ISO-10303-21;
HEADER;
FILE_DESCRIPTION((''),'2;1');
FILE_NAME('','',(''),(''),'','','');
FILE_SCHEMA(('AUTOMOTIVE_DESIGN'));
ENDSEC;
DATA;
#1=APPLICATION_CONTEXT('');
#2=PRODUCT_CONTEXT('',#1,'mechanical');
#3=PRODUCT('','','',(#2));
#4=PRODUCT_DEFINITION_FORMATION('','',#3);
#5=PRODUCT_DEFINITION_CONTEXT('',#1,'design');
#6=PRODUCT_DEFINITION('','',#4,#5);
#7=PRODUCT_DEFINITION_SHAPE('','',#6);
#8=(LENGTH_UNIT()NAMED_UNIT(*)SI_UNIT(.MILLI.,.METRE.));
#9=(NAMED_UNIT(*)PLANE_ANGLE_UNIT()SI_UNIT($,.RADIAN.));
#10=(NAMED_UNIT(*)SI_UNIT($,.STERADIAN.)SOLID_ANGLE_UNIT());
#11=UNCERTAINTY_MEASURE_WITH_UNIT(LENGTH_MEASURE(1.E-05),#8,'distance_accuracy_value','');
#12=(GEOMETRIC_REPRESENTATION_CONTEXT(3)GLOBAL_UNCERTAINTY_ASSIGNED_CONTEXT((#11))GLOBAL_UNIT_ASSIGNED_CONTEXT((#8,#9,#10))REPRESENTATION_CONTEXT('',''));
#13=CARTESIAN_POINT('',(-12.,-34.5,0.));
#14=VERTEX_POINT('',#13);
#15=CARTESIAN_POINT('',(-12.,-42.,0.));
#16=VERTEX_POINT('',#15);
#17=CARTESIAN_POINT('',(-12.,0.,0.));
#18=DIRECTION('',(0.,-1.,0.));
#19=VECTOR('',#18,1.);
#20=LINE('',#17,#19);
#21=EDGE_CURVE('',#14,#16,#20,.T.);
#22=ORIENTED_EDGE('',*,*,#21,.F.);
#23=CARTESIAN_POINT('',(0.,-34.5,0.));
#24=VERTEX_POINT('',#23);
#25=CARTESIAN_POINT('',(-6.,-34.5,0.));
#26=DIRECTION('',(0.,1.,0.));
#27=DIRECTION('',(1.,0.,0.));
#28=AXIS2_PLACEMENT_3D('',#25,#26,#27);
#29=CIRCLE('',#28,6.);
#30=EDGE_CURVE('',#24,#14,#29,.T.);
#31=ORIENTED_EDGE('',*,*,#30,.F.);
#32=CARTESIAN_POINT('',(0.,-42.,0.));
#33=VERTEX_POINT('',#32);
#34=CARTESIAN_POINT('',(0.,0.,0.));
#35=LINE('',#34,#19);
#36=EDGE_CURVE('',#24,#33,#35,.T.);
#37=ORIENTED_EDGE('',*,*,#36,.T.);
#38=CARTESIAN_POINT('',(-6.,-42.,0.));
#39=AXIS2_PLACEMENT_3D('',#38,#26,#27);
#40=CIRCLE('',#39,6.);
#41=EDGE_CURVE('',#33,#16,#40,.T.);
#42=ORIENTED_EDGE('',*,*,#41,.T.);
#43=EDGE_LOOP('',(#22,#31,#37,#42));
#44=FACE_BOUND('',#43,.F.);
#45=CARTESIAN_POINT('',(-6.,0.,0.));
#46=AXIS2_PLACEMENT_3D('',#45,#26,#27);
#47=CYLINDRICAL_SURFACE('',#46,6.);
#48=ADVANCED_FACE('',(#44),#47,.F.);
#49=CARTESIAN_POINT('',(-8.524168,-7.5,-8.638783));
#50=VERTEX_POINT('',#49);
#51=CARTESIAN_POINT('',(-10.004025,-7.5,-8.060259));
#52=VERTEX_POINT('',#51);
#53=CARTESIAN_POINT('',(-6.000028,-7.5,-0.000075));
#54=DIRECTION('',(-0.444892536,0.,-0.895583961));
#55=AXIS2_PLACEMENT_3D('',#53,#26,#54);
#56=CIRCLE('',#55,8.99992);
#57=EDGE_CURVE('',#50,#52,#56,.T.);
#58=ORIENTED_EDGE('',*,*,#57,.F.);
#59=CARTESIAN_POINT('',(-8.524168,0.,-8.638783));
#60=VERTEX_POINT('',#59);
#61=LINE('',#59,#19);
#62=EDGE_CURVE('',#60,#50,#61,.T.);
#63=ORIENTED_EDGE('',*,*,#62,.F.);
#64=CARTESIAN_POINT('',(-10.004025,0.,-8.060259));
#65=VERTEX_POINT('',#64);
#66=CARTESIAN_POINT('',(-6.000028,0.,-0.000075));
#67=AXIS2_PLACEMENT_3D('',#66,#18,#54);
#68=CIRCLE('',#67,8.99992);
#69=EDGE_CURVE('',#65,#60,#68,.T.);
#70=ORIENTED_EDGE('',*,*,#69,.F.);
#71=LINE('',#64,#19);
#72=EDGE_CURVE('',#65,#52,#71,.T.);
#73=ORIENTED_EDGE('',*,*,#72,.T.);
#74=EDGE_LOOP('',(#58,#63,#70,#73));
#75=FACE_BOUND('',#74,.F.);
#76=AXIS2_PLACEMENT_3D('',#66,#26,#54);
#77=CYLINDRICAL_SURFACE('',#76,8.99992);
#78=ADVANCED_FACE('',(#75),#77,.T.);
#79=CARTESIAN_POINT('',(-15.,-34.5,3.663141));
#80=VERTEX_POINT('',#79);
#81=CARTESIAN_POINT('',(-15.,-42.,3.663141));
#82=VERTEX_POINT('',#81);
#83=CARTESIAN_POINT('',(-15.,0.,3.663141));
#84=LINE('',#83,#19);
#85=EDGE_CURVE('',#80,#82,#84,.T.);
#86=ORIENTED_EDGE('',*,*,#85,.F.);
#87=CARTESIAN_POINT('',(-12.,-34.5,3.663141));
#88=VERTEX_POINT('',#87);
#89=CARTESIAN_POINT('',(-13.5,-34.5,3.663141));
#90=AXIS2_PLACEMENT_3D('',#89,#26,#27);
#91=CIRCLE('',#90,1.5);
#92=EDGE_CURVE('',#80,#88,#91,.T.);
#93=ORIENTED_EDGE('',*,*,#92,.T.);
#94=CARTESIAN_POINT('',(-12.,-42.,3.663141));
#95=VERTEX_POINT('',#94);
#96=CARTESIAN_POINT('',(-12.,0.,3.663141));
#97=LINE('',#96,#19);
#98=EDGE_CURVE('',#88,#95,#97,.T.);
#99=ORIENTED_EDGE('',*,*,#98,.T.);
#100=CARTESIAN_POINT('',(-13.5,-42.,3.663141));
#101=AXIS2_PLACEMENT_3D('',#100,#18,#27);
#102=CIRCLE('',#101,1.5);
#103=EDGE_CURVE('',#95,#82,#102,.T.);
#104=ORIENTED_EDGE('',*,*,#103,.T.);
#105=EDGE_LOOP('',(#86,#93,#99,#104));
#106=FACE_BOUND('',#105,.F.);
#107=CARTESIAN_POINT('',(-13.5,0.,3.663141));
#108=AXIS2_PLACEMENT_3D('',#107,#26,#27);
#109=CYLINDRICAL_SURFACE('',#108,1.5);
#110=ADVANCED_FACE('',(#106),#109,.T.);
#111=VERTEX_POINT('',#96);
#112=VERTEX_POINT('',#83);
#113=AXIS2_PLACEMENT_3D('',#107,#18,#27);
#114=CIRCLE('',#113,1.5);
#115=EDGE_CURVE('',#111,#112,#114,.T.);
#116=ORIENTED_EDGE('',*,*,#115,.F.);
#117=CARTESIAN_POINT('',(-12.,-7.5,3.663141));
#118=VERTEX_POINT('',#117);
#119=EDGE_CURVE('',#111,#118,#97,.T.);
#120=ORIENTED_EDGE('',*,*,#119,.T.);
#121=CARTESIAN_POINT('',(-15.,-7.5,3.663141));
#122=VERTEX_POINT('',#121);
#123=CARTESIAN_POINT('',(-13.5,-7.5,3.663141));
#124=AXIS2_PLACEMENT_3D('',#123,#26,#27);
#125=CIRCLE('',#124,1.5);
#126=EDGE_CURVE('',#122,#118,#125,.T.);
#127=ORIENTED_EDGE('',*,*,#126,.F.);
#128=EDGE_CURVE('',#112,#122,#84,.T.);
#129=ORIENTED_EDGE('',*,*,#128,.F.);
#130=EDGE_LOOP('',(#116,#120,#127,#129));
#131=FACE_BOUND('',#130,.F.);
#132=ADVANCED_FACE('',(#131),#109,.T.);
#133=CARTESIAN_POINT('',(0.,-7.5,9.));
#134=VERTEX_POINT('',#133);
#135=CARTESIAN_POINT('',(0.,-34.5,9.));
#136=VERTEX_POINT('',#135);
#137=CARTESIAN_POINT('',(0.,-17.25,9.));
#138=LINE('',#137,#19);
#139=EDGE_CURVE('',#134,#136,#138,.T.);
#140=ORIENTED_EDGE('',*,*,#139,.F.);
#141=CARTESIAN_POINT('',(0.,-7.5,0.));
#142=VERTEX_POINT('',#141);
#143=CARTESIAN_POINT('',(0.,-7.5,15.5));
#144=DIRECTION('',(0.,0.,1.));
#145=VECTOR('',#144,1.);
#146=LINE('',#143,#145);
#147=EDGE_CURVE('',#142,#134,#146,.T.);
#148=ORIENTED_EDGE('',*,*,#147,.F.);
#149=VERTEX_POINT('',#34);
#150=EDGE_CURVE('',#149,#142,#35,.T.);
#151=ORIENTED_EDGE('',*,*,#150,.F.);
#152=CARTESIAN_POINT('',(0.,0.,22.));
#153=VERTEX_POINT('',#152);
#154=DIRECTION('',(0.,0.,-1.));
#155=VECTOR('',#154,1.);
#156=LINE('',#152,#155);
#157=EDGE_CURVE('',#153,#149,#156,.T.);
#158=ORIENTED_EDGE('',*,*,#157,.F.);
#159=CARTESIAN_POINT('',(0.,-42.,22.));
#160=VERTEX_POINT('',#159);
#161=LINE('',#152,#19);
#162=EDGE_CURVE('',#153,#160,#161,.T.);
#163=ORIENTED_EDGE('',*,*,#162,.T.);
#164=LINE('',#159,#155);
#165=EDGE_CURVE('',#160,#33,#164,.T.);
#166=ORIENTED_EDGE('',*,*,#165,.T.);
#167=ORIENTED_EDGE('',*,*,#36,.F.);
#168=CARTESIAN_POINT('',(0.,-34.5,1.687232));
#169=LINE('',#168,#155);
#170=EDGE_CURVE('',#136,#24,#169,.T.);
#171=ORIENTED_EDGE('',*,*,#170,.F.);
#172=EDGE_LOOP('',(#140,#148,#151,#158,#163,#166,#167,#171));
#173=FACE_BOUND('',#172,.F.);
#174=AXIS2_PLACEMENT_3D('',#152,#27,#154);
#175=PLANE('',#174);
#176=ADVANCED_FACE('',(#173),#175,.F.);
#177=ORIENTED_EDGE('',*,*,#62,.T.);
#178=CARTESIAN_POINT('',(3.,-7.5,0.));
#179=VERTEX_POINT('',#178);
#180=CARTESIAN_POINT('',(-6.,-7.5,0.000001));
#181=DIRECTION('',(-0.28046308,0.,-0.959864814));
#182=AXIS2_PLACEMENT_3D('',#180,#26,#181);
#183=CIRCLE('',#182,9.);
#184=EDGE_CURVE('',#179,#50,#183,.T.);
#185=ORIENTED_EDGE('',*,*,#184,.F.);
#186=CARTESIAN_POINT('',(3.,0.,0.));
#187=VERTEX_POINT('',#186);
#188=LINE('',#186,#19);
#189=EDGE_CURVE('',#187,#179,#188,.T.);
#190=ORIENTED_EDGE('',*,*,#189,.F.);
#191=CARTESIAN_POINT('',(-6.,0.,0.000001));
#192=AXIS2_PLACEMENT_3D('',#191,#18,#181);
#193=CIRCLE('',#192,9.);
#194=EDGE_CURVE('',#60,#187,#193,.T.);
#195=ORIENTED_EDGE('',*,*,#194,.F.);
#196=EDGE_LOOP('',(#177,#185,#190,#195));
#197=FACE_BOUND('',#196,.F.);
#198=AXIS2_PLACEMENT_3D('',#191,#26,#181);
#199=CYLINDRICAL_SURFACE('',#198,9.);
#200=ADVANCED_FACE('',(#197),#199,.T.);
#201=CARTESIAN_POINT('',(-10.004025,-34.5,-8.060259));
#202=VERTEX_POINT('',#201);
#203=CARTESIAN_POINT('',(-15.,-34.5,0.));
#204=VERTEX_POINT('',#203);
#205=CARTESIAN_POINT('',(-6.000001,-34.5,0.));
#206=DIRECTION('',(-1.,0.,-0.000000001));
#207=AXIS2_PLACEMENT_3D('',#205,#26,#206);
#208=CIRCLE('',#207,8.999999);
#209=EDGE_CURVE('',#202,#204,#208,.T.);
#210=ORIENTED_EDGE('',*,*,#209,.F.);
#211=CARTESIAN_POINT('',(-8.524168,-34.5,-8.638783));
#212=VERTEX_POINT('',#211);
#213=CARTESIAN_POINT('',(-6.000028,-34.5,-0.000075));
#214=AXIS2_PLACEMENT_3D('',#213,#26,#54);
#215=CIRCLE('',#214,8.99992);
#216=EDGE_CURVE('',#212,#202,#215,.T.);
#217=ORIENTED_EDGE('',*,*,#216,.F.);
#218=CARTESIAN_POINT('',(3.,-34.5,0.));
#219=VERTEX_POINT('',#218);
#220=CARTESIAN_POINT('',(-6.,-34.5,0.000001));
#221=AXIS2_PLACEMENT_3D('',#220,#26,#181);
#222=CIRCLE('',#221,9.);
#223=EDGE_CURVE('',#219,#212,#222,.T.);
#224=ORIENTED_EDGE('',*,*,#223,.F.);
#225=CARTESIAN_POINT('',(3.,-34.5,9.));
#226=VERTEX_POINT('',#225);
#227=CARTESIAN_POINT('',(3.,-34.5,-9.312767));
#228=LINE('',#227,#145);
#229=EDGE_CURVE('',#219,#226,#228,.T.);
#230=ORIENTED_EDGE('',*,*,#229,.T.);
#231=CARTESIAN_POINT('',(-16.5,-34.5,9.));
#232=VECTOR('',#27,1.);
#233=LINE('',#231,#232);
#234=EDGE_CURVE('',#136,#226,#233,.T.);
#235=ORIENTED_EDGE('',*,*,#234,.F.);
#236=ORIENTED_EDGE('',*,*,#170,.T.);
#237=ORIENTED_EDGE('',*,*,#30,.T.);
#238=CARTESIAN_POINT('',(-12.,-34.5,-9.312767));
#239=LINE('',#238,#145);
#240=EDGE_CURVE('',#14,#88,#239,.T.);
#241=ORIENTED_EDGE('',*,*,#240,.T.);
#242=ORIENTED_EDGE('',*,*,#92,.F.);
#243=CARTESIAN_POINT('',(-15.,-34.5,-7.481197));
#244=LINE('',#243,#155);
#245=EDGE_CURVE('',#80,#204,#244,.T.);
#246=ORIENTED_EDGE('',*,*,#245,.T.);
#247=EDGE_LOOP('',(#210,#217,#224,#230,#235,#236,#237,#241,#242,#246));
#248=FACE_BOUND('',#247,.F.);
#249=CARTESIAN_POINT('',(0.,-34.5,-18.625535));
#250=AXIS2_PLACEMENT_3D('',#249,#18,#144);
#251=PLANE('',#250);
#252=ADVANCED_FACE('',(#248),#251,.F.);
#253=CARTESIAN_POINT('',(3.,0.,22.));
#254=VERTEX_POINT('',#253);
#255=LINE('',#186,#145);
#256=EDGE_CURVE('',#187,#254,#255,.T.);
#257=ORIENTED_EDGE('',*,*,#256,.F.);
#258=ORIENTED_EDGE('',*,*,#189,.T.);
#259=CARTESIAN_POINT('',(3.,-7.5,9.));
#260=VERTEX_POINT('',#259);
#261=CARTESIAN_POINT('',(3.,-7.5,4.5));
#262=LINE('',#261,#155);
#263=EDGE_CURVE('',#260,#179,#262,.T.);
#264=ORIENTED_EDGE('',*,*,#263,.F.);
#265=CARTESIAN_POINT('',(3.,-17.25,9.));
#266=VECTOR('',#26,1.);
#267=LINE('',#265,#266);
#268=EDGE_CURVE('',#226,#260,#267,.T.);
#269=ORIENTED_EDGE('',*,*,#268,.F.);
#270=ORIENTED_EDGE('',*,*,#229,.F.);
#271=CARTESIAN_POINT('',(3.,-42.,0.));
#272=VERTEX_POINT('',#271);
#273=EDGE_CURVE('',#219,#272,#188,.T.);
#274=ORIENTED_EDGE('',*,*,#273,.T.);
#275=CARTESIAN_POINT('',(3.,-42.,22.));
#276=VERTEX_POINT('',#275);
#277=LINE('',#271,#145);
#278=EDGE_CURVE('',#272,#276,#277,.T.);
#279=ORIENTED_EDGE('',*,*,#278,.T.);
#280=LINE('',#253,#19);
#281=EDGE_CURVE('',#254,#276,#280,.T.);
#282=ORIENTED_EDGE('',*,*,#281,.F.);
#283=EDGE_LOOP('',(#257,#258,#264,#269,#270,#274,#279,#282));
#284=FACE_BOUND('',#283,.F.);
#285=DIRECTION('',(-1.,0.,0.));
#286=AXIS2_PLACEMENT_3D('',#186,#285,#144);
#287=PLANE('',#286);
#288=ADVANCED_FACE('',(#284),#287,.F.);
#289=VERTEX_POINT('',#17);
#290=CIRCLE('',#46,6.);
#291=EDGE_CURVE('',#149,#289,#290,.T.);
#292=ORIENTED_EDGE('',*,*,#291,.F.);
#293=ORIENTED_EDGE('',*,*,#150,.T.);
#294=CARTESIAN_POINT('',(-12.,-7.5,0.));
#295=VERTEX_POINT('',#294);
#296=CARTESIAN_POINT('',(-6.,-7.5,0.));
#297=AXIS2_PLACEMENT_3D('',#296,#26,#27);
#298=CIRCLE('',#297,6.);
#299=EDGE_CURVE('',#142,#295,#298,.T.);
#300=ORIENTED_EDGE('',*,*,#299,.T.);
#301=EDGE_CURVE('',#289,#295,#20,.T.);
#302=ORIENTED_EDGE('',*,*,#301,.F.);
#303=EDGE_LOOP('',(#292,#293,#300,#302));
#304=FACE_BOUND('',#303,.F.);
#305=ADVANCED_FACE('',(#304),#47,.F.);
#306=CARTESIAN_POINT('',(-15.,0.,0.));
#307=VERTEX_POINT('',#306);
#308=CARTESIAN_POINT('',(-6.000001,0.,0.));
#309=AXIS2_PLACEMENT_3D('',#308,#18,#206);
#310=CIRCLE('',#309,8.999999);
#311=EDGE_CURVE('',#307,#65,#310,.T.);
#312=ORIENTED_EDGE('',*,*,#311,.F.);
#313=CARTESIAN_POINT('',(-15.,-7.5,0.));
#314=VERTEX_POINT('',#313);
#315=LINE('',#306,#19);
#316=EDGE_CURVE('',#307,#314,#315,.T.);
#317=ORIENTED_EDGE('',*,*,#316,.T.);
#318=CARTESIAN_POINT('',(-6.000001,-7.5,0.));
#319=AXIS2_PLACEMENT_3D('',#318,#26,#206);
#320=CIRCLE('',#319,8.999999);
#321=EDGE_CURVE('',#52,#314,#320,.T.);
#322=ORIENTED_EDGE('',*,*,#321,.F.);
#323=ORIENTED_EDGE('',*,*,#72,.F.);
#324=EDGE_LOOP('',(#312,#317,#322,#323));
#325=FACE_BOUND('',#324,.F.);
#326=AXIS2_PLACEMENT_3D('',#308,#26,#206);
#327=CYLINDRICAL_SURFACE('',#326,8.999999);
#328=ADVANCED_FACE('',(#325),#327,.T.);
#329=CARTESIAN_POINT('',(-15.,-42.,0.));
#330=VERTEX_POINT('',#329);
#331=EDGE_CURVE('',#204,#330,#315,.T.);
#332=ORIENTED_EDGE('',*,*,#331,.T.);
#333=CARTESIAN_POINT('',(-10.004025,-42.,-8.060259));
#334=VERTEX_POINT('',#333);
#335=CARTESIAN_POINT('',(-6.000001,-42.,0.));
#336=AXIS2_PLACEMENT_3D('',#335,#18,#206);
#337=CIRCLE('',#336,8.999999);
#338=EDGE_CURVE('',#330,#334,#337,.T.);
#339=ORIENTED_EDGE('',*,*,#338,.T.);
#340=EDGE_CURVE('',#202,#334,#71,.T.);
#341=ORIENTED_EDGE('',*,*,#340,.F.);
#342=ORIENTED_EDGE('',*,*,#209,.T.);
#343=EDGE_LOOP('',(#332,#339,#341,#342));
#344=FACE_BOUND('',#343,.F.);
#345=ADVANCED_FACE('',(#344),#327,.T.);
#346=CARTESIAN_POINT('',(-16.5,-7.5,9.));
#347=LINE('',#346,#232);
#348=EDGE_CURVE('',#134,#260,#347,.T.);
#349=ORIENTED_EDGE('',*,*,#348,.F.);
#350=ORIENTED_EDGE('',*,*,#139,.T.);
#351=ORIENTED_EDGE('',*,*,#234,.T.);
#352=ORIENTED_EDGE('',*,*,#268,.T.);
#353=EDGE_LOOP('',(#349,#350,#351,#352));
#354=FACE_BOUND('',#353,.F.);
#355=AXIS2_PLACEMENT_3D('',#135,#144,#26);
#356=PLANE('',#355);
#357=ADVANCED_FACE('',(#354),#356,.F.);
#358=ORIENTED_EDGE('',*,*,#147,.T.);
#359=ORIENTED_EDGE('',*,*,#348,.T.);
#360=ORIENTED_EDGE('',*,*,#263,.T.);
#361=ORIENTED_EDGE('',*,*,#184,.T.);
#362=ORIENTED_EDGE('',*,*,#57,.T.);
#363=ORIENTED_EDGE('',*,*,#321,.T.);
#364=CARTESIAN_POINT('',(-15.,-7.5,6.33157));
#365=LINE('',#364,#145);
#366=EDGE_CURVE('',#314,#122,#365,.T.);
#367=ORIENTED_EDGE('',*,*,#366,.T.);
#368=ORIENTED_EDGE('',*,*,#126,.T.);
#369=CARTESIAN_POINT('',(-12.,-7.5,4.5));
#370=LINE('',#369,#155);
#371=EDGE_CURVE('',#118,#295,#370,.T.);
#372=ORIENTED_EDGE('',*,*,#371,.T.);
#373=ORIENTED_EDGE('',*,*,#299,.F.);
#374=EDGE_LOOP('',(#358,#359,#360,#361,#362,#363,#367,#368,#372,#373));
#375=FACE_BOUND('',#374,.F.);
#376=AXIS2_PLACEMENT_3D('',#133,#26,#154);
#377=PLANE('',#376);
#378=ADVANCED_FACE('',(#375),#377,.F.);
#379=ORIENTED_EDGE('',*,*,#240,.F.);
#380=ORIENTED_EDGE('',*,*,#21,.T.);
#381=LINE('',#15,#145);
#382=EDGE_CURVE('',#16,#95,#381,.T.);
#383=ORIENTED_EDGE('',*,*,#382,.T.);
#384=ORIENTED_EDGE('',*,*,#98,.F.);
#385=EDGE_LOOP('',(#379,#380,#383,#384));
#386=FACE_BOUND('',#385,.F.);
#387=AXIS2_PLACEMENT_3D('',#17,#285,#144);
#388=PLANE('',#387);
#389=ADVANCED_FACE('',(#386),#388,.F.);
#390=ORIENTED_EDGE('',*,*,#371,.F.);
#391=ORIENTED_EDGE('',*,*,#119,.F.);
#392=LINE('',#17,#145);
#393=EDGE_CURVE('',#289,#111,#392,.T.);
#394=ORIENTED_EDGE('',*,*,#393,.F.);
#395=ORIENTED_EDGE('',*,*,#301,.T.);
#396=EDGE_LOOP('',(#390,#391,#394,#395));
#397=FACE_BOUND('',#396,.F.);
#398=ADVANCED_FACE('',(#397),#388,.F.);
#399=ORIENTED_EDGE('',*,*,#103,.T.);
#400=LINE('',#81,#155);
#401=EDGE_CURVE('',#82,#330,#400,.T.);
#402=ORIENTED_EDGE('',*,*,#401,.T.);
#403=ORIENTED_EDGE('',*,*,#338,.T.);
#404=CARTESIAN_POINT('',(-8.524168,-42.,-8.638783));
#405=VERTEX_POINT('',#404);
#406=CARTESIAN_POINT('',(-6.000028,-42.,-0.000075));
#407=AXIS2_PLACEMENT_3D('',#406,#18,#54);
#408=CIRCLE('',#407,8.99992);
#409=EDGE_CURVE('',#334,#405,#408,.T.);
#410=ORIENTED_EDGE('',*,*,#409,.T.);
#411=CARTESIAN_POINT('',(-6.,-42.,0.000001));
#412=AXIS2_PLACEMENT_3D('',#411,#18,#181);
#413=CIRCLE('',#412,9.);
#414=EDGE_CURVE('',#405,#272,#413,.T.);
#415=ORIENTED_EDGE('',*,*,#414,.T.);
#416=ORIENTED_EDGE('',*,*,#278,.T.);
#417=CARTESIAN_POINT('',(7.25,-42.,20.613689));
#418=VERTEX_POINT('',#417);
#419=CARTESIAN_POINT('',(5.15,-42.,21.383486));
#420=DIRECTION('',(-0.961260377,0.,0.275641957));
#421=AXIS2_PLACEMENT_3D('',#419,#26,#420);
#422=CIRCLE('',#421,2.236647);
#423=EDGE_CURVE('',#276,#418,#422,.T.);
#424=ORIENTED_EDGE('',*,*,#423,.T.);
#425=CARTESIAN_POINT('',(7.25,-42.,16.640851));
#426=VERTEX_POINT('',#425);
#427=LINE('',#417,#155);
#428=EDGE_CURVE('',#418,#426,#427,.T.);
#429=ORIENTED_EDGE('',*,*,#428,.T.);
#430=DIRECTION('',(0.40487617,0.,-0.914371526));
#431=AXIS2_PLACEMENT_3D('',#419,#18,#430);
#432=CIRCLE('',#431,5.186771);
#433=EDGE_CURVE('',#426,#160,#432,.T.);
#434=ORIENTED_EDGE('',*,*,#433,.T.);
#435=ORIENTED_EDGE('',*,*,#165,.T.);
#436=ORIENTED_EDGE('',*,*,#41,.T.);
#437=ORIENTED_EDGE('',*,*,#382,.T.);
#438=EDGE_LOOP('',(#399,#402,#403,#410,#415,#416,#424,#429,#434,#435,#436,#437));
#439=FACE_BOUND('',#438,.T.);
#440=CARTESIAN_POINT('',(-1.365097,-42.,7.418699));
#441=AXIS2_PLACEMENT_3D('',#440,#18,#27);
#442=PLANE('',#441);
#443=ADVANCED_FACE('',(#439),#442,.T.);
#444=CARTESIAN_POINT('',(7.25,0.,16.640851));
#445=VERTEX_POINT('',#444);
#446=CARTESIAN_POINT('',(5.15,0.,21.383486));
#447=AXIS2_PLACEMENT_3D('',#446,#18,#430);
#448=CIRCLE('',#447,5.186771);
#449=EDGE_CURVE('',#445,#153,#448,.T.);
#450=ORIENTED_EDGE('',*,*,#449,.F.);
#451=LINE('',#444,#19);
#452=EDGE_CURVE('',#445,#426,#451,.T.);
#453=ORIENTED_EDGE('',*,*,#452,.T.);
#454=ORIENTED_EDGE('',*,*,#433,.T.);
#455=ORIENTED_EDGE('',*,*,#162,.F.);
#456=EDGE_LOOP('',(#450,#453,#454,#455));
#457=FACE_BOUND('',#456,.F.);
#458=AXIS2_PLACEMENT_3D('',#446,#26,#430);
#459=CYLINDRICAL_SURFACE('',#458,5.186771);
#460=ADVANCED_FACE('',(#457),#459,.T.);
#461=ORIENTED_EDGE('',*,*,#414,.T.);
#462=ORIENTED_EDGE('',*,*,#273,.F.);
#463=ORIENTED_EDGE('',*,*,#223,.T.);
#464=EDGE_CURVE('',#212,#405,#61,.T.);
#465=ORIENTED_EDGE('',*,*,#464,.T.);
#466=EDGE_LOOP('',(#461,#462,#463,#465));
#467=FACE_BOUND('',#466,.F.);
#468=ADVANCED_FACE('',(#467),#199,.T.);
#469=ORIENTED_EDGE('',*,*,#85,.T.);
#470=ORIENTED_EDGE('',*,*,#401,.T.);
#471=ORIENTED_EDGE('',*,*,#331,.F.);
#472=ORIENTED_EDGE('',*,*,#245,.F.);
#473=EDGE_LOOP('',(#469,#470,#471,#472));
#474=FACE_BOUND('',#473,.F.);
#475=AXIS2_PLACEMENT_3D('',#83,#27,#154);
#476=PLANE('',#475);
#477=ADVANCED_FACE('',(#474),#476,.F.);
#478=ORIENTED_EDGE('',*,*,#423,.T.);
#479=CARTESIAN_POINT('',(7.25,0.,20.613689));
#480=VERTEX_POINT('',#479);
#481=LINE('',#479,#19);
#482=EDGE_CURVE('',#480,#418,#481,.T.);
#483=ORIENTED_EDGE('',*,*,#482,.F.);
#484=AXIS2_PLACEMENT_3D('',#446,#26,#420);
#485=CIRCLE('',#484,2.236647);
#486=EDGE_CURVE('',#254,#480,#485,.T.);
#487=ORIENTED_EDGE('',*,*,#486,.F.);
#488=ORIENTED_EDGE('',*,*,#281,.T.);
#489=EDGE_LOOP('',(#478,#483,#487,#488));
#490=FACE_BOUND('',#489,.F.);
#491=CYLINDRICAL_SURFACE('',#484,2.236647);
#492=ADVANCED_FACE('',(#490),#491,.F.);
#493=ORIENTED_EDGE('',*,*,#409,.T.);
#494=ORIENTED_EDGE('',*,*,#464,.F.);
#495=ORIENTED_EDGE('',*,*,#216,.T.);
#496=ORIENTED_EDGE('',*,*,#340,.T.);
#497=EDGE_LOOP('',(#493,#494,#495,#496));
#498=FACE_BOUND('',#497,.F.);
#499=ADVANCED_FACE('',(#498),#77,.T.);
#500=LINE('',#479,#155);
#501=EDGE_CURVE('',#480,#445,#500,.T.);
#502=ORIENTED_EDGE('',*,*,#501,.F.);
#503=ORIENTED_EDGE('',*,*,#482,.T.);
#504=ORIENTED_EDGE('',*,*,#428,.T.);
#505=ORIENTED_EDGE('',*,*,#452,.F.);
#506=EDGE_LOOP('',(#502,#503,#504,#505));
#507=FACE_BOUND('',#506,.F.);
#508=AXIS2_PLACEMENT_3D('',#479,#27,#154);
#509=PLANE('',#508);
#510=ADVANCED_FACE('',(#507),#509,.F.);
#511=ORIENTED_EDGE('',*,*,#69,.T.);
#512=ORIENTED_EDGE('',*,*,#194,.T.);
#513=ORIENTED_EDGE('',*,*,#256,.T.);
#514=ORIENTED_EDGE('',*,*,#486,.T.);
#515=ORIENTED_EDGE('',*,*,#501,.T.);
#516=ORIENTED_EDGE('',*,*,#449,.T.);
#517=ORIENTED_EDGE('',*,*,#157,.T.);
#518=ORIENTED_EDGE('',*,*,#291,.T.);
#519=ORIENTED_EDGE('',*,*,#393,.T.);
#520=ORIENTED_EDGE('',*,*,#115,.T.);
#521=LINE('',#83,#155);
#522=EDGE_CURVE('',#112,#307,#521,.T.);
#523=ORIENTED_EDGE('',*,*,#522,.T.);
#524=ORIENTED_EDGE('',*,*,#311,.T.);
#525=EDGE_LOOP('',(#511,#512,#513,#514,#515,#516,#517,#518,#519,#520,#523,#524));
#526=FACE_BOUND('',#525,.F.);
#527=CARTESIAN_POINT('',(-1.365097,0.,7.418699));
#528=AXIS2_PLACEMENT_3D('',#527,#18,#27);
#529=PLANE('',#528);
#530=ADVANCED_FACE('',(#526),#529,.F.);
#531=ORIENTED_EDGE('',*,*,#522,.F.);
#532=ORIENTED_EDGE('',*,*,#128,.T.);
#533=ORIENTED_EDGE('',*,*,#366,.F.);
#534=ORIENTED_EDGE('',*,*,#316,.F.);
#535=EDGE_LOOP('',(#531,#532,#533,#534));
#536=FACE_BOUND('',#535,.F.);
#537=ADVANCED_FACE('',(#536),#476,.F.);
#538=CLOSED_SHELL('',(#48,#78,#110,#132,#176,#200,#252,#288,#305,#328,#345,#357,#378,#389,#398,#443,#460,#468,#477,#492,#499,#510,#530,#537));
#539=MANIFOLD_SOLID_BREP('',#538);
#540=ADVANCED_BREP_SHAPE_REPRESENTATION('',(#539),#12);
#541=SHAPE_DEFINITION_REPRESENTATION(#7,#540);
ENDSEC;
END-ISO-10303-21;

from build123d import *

# Parameters (mm, degrees)
F1_DEPTH = 42
F3_DEPTH = 16.5


with BuildPart() as f1:
    # F0 (on Front) → F1 (new body)
    with BuildSketch(Plane.XZ):
        with BuildLine():
            Line((0, 22), (0, 13.536567))
            Line((0, 13.536567), (0, 0))
            ThreePointArc((0, 0), (-6, -6), (-12, 0))
            Line((-12, 0), (-12, 3.663141))
            ThreePointArc((-12, 3.663141), (-13.5, 5.163141), (-15, 3.663141))
            Line((-15, 3.663141), (-15, 0))
            ThreePointArc((-15, 0), (-13.649713, -4.741507), (-10.004025, -8.060259))
            Line((-10.004025, -8.060259), (-8.524168, -8.638783))
            ThreePointArc((-8.524168, -8.638783), (-0.601737, -7.201302), (3, 0))
            Line((3, 0), (3, 22))
            ThreePointArc((3, 22), (5.843606, 23.509868), (7.25, 20.613689))
            Line((7.25, 20.613689), (7.25, 16.640851))
            ThreePointArc((7.25, 16.640851), (8.233139, 25.554439), (0, 22))
        make_face()
        with BuildLine():
            Line((-8.524168, -8.638783), (-10.004025, -8.060259))
            ThreePointArc((-10.004025, -8.060259), (-9.276889, -8.382243), (-8.524168, -8.638783))
        make_face()
    extrude(amount=F1_DEPTH)

    # F2 (on face) → F3 (cut, symmetric)
    with BuildSketch(Plane(origin=(0, 0, 0), x_dir=(0, -1, 0), z_dir=(-1, 0, 0))):
        Polygon((7.5, 9), (7.5, -16.111853), (34.5, -18.625535), (34.5, 9), align=None)
    extrude(amount=F3_DEPTH, both=True, mode=Mode.SUBTRACT)


solid = f1.part
